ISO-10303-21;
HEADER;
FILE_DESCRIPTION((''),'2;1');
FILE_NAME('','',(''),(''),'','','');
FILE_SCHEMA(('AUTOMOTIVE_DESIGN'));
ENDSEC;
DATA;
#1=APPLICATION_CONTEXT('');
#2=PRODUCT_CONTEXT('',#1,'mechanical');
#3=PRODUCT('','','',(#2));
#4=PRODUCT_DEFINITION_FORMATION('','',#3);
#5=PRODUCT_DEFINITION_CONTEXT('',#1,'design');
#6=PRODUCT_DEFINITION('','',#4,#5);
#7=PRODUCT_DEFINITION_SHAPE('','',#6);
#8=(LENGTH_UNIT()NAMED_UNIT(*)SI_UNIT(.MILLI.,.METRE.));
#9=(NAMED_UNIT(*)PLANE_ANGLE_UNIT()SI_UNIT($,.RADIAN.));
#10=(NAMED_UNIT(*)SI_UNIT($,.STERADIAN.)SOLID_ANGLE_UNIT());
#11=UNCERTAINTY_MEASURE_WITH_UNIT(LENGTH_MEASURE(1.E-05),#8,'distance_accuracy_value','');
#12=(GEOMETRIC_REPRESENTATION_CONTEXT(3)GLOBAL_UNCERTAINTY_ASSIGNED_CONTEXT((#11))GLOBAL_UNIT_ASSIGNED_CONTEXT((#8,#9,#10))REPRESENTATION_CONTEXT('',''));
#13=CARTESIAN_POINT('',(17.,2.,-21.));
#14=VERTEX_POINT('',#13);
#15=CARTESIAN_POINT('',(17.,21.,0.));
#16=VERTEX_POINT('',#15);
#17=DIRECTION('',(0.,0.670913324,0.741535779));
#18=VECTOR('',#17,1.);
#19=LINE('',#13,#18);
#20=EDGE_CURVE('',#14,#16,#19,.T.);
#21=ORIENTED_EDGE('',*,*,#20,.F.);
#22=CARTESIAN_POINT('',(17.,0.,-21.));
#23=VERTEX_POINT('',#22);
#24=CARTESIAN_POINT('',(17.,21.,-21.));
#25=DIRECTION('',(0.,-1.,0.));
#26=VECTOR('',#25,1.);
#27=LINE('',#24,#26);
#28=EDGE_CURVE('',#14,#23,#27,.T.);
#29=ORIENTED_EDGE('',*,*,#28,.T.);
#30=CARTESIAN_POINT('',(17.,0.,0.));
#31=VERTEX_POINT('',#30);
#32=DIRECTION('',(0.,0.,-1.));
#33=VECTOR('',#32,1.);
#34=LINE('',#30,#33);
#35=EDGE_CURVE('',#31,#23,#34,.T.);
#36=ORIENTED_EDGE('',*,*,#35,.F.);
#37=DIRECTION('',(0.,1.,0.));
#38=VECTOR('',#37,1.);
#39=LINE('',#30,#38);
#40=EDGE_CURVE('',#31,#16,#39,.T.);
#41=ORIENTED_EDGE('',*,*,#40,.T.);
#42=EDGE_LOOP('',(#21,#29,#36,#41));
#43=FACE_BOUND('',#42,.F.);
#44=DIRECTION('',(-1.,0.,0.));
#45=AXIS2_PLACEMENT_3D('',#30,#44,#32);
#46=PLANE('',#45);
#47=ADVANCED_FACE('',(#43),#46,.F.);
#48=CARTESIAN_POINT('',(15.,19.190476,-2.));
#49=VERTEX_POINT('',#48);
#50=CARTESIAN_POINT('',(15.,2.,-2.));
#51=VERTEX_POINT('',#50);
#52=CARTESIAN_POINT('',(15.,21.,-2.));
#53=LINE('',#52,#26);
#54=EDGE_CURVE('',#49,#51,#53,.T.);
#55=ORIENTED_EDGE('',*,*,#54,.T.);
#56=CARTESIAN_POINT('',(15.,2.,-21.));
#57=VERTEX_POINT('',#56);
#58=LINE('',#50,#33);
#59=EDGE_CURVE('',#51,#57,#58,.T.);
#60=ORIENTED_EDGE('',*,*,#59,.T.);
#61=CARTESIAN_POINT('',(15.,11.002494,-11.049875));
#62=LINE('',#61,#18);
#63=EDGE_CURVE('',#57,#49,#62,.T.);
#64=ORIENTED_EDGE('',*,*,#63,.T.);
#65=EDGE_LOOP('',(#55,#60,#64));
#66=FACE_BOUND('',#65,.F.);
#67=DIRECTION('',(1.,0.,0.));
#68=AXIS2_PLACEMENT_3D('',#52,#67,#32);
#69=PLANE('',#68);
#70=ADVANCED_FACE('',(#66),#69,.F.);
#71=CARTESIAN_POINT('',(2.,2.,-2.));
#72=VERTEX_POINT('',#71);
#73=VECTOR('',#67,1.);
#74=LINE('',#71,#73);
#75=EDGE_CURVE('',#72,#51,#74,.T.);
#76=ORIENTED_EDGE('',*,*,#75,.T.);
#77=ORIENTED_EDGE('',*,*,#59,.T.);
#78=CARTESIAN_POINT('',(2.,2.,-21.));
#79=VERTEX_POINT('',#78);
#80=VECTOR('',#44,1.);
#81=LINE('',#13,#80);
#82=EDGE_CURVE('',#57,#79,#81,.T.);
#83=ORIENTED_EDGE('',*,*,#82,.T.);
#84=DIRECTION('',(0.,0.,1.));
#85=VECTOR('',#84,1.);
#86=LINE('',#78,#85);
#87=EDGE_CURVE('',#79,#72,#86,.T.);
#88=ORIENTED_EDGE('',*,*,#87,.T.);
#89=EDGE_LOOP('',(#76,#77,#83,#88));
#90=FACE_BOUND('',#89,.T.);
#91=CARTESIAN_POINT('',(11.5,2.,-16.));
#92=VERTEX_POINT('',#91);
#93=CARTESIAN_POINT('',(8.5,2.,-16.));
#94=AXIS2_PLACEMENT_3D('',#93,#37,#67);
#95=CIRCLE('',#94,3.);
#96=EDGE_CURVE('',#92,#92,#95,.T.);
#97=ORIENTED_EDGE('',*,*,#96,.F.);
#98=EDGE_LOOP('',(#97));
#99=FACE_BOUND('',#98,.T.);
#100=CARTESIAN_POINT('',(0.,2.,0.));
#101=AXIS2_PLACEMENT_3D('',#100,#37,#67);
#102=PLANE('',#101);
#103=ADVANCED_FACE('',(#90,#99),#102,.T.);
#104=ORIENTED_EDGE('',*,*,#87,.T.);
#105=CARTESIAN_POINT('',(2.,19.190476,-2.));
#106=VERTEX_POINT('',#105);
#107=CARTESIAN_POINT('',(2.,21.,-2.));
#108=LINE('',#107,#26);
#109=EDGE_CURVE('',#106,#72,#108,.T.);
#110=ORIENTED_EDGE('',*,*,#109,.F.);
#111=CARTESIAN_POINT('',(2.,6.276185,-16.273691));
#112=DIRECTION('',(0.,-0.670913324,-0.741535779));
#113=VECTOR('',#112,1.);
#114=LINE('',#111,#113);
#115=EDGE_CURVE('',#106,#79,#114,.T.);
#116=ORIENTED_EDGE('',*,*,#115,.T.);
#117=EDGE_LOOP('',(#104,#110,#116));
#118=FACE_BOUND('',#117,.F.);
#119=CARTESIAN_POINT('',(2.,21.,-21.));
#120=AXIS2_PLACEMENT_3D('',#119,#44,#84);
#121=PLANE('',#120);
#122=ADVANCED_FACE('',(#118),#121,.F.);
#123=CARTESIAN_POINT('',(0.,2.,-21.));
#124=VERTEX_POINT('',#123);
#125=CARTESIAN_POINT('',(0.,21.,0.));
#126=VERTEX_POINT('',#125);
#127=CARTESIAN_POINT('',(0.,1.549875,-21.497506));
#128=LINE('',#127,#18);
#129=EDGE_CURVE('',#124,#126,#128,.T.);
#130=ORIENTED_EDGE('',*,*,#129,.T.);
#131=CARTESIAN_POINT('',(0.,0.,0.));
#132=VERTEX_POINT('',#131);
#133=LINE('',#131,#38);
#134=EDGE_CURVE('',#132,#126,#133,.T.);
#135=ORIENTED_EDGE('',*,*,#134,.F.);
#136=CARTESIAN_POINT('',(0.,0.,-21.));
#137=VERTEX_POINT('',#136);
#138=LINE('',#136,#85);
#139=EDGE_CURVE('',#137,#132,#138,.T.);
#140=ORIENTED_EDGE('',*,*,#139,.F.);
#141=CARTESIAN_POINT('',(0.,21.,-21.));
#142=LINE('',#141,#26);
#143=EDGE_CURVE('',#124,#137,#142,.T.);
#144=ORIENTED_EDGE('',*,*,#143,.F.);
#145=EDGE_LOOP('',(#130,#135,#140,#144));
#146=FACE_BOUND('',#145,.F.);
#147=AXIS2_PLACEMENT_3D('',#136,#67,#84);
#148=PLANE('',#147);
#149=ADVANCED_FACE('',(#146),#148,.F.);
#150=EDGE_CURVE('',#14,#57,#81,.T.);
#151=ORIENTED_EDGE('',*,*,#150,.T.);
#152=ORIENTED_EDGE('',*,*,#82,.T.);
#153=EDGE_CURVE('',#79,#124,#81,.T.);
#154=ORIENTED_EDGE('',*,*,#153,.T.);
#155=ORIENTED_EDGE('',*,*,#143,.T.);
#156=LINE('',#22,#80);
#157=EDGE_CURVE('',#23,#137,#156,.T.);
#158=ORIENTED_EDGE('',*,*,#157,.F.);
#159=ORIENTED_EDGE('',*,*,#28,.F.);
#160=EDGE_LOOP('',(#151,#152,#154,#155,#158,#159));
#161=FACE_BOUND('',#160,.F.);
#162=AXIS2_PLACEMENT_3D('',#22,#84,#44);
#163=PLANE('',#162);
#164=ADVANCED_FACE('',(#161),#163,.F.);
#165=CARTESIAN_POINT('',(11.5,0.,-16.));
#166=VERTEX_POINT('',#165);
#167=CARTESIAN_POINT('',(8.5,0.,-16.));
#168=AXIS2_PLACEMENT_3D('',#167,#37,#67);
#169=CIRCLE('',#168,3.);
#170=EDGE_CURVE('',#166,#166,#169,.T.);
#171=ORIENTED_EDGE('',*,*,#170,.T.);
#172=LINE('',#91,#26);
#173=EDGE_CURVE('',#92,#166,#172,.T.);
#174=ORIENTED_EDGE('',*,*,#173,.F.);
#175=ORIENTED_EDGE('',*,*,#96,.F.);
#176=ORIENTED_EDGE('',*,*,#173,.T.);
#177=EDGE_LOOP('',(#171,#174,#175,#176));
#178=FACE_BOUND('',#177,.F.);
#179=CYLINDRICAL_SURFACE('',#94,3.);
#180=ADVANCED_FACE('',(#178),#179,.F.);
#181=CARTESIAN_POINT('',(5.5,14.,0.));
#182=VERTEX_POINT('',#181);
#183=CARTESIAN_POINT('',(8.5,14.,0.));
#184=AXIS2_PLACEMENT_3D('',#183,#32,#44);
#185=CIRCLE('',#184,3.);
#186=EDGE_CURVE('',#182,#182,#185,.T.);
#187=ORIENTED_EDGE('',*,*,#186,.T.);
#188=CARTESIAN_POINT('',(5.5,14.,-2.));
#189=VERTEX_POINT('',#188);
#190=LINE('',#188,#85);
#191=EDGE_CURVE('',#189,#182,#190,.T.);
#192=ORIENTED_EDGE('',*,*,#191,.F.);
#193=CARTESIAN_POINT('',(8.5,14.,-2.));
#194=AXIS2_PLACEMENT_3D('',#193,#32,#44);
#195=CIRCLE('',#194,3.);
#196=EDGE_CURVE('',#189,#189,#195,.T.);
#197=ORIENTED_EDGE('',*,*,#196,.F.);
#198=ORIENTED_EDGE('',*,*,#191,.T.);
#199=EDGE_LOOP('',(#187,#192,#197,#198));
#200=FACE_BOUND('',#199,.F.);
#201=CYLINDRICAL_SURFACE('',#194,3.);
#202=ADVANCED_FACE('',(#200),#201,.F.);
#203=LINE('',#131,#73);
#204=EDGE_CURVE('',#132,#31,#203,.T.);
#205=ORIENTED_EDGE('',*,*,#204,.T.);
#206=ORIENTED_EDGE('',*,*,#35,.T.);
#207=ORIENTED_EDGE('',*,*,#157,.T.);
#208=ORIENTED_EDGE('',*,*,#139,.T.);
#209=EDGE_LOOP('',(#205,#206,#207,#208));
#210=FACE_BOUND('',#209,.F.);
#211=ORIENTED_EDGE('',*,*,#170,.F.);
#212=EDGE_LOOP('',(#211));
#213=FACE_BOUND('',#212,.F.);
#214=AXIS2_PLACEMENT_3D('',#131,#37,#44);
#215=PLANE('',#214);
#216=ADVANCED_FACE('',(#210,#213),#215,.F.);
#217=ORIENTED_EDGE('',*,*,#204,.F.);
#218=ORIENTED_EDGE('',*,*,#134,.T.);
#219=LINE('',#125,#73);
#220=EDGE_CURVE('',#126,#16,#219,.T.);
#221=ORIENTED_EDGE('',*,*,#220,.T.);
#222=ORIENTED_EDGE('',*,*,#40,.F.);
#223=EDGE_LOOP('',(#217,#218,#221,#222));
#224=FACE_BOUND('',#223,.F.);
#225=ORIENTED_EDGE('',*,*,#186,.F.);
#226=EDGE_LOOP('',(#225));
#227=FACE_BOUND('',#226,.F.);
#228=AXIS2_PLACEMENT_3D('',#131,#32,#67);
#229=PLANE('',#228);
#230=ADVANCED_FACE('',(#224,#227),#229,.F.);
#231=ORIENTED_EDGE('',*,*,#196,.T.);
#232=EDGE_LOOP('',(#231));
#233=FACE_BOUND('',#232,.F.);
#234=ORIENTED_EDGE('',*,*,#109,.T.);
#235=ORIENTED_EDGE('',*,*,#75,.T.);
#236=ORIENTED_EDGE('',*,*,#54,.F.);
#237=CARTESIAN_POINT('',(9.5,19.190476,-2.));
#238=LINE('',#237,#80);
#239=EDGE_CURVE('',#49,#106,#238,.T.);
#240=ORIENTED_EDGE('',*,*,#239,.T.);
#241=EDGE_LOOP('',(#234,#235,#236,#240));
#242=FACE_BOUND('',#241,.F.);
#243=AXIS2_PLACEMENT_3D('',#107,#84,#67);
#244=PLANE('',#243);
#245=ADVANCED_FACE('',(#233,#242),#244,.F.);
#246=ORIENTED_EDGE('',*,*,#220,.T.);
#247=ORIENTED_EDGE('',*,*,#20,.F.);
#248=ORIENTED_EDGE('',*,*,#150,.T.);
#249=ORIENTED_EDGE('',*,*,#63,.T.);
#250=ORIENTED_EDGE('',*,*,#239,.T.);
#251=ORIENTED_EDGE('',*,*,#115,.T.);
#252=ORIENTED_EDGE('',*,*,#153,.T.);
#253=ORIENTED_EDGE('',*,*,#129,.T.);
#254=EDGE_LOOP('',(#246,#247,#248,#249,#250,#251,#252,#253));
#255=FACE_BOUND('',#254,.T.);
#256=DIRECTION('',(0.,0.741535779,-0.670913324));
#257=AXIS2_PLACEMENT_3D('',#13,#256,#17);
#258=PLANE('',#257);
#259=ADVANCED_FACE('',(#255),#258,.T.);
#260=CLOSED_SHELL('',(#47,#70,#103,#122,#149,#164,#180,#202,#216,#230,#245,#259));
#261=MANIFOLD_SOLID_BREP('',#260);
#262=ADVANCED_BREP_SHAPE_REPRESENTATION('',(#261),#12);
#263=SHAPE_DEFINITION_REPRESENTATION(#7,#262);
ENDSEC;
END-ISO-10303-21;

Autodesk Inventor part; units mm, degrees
ref_plane "YZ Plane" through (0, 0, 0) normal (1, 0, 0) x (0, 1, 0)
ref_plane "XZ Plane" through (0, 0, 0) normal (0, 1, 0) x (-1, 0, 0)
ref_plane "XY Plane" through (0, 0, 0) normal (0, 0, 1) x (1, 0, 0)
sketch "Boceto2" plane through (0, 0, 0) normal (0, 1, 0) x (-1, 0, 0)
  line L0 (0, 0) -> (-17, 0)
  line L1 (-17, 0) -> (-17, -21)
  line L2 (-17, -21) -> (0, -21)
  line L3 (0, -21) -> (0, 0)
  dimension "d0" = 17
  dimension "d1" = 21
  dimension "d2" = 17
extrude "Extrusión1" add sketch "Boceto2" along normal blind 2
sketch "Boceto3" plane through (0, 2, 0) normal (0, 1, 0) x (1, 0, 0)
  line L0 (0, 0) -> (17, 0) projected
  line L1 (0, 0) -> (0, 21)
  line L2 (0, 21) -> (0, 0) projected
  line L3 (0, 21) -> (17, 21)
  line L4 (17, 0) -> (17, 21) projected
  line L5 (0, 0) -> (17, 0)
  line L6 (17, 0) -> (17, 21)
  dimension "d5" = 21
extrude "Extrusión3" add sketch "Boceto3" along normal blind 19
sketch "Boceto5" plane through (0, 21, 0) normal (0, 1, 0) x (1, 0, 0)
  line L0 (17, 21) -> (0, 21) projected
  line L1 (2, 21) -> (2, 2)
  line L2 (2, 2) -> (15, 2)
  line L3 (15, 2) -> (15, 21)
  line L4 (15, 21) -> (2, 21)
  point P0 (0, 0)
extrude "Extrusión5" cut sketch "Boceto5" against normal blind 19
sketch "Boceto6" plane through (17, 0, 0) normal (1, 0, 0) x (0, 0, -1)
  line L0 (0, 0) -> (21, 0) projected
  line L1 (0, 21) -> (21, 21) projected
  line L2 (21, 2) -> (0, 21)
  line L3 (0, 21) -> (21, 21)
  line L4 (21, 21) -> (21, 2)
extrude "Extrusión6" cut sketch "Boceto6" against normal blind 19
sketch "Boceto7" plane through (0, 2, 0) normal (0, 1, 0) x (1, 0, 0)
  line L0 (0, 0) -> (17, 0) projected
  circle A0 centre (8.5, 16) radius 3
extrude "Extrusión7" cut sketch "Boceto7" against normal blind 19
sketch "Boceto8" plane through (15, 2, -2) normal (0, 0, -1) x (-1, 0, 0)
  line L0 (-2, -2) -> (15, -2) projected
  circle A0 centre (6.5, 12) radius 3
extrude "Extrusión8" cut sketch "Boceto8" against normal blind 19
properties part number "Triangulo"
